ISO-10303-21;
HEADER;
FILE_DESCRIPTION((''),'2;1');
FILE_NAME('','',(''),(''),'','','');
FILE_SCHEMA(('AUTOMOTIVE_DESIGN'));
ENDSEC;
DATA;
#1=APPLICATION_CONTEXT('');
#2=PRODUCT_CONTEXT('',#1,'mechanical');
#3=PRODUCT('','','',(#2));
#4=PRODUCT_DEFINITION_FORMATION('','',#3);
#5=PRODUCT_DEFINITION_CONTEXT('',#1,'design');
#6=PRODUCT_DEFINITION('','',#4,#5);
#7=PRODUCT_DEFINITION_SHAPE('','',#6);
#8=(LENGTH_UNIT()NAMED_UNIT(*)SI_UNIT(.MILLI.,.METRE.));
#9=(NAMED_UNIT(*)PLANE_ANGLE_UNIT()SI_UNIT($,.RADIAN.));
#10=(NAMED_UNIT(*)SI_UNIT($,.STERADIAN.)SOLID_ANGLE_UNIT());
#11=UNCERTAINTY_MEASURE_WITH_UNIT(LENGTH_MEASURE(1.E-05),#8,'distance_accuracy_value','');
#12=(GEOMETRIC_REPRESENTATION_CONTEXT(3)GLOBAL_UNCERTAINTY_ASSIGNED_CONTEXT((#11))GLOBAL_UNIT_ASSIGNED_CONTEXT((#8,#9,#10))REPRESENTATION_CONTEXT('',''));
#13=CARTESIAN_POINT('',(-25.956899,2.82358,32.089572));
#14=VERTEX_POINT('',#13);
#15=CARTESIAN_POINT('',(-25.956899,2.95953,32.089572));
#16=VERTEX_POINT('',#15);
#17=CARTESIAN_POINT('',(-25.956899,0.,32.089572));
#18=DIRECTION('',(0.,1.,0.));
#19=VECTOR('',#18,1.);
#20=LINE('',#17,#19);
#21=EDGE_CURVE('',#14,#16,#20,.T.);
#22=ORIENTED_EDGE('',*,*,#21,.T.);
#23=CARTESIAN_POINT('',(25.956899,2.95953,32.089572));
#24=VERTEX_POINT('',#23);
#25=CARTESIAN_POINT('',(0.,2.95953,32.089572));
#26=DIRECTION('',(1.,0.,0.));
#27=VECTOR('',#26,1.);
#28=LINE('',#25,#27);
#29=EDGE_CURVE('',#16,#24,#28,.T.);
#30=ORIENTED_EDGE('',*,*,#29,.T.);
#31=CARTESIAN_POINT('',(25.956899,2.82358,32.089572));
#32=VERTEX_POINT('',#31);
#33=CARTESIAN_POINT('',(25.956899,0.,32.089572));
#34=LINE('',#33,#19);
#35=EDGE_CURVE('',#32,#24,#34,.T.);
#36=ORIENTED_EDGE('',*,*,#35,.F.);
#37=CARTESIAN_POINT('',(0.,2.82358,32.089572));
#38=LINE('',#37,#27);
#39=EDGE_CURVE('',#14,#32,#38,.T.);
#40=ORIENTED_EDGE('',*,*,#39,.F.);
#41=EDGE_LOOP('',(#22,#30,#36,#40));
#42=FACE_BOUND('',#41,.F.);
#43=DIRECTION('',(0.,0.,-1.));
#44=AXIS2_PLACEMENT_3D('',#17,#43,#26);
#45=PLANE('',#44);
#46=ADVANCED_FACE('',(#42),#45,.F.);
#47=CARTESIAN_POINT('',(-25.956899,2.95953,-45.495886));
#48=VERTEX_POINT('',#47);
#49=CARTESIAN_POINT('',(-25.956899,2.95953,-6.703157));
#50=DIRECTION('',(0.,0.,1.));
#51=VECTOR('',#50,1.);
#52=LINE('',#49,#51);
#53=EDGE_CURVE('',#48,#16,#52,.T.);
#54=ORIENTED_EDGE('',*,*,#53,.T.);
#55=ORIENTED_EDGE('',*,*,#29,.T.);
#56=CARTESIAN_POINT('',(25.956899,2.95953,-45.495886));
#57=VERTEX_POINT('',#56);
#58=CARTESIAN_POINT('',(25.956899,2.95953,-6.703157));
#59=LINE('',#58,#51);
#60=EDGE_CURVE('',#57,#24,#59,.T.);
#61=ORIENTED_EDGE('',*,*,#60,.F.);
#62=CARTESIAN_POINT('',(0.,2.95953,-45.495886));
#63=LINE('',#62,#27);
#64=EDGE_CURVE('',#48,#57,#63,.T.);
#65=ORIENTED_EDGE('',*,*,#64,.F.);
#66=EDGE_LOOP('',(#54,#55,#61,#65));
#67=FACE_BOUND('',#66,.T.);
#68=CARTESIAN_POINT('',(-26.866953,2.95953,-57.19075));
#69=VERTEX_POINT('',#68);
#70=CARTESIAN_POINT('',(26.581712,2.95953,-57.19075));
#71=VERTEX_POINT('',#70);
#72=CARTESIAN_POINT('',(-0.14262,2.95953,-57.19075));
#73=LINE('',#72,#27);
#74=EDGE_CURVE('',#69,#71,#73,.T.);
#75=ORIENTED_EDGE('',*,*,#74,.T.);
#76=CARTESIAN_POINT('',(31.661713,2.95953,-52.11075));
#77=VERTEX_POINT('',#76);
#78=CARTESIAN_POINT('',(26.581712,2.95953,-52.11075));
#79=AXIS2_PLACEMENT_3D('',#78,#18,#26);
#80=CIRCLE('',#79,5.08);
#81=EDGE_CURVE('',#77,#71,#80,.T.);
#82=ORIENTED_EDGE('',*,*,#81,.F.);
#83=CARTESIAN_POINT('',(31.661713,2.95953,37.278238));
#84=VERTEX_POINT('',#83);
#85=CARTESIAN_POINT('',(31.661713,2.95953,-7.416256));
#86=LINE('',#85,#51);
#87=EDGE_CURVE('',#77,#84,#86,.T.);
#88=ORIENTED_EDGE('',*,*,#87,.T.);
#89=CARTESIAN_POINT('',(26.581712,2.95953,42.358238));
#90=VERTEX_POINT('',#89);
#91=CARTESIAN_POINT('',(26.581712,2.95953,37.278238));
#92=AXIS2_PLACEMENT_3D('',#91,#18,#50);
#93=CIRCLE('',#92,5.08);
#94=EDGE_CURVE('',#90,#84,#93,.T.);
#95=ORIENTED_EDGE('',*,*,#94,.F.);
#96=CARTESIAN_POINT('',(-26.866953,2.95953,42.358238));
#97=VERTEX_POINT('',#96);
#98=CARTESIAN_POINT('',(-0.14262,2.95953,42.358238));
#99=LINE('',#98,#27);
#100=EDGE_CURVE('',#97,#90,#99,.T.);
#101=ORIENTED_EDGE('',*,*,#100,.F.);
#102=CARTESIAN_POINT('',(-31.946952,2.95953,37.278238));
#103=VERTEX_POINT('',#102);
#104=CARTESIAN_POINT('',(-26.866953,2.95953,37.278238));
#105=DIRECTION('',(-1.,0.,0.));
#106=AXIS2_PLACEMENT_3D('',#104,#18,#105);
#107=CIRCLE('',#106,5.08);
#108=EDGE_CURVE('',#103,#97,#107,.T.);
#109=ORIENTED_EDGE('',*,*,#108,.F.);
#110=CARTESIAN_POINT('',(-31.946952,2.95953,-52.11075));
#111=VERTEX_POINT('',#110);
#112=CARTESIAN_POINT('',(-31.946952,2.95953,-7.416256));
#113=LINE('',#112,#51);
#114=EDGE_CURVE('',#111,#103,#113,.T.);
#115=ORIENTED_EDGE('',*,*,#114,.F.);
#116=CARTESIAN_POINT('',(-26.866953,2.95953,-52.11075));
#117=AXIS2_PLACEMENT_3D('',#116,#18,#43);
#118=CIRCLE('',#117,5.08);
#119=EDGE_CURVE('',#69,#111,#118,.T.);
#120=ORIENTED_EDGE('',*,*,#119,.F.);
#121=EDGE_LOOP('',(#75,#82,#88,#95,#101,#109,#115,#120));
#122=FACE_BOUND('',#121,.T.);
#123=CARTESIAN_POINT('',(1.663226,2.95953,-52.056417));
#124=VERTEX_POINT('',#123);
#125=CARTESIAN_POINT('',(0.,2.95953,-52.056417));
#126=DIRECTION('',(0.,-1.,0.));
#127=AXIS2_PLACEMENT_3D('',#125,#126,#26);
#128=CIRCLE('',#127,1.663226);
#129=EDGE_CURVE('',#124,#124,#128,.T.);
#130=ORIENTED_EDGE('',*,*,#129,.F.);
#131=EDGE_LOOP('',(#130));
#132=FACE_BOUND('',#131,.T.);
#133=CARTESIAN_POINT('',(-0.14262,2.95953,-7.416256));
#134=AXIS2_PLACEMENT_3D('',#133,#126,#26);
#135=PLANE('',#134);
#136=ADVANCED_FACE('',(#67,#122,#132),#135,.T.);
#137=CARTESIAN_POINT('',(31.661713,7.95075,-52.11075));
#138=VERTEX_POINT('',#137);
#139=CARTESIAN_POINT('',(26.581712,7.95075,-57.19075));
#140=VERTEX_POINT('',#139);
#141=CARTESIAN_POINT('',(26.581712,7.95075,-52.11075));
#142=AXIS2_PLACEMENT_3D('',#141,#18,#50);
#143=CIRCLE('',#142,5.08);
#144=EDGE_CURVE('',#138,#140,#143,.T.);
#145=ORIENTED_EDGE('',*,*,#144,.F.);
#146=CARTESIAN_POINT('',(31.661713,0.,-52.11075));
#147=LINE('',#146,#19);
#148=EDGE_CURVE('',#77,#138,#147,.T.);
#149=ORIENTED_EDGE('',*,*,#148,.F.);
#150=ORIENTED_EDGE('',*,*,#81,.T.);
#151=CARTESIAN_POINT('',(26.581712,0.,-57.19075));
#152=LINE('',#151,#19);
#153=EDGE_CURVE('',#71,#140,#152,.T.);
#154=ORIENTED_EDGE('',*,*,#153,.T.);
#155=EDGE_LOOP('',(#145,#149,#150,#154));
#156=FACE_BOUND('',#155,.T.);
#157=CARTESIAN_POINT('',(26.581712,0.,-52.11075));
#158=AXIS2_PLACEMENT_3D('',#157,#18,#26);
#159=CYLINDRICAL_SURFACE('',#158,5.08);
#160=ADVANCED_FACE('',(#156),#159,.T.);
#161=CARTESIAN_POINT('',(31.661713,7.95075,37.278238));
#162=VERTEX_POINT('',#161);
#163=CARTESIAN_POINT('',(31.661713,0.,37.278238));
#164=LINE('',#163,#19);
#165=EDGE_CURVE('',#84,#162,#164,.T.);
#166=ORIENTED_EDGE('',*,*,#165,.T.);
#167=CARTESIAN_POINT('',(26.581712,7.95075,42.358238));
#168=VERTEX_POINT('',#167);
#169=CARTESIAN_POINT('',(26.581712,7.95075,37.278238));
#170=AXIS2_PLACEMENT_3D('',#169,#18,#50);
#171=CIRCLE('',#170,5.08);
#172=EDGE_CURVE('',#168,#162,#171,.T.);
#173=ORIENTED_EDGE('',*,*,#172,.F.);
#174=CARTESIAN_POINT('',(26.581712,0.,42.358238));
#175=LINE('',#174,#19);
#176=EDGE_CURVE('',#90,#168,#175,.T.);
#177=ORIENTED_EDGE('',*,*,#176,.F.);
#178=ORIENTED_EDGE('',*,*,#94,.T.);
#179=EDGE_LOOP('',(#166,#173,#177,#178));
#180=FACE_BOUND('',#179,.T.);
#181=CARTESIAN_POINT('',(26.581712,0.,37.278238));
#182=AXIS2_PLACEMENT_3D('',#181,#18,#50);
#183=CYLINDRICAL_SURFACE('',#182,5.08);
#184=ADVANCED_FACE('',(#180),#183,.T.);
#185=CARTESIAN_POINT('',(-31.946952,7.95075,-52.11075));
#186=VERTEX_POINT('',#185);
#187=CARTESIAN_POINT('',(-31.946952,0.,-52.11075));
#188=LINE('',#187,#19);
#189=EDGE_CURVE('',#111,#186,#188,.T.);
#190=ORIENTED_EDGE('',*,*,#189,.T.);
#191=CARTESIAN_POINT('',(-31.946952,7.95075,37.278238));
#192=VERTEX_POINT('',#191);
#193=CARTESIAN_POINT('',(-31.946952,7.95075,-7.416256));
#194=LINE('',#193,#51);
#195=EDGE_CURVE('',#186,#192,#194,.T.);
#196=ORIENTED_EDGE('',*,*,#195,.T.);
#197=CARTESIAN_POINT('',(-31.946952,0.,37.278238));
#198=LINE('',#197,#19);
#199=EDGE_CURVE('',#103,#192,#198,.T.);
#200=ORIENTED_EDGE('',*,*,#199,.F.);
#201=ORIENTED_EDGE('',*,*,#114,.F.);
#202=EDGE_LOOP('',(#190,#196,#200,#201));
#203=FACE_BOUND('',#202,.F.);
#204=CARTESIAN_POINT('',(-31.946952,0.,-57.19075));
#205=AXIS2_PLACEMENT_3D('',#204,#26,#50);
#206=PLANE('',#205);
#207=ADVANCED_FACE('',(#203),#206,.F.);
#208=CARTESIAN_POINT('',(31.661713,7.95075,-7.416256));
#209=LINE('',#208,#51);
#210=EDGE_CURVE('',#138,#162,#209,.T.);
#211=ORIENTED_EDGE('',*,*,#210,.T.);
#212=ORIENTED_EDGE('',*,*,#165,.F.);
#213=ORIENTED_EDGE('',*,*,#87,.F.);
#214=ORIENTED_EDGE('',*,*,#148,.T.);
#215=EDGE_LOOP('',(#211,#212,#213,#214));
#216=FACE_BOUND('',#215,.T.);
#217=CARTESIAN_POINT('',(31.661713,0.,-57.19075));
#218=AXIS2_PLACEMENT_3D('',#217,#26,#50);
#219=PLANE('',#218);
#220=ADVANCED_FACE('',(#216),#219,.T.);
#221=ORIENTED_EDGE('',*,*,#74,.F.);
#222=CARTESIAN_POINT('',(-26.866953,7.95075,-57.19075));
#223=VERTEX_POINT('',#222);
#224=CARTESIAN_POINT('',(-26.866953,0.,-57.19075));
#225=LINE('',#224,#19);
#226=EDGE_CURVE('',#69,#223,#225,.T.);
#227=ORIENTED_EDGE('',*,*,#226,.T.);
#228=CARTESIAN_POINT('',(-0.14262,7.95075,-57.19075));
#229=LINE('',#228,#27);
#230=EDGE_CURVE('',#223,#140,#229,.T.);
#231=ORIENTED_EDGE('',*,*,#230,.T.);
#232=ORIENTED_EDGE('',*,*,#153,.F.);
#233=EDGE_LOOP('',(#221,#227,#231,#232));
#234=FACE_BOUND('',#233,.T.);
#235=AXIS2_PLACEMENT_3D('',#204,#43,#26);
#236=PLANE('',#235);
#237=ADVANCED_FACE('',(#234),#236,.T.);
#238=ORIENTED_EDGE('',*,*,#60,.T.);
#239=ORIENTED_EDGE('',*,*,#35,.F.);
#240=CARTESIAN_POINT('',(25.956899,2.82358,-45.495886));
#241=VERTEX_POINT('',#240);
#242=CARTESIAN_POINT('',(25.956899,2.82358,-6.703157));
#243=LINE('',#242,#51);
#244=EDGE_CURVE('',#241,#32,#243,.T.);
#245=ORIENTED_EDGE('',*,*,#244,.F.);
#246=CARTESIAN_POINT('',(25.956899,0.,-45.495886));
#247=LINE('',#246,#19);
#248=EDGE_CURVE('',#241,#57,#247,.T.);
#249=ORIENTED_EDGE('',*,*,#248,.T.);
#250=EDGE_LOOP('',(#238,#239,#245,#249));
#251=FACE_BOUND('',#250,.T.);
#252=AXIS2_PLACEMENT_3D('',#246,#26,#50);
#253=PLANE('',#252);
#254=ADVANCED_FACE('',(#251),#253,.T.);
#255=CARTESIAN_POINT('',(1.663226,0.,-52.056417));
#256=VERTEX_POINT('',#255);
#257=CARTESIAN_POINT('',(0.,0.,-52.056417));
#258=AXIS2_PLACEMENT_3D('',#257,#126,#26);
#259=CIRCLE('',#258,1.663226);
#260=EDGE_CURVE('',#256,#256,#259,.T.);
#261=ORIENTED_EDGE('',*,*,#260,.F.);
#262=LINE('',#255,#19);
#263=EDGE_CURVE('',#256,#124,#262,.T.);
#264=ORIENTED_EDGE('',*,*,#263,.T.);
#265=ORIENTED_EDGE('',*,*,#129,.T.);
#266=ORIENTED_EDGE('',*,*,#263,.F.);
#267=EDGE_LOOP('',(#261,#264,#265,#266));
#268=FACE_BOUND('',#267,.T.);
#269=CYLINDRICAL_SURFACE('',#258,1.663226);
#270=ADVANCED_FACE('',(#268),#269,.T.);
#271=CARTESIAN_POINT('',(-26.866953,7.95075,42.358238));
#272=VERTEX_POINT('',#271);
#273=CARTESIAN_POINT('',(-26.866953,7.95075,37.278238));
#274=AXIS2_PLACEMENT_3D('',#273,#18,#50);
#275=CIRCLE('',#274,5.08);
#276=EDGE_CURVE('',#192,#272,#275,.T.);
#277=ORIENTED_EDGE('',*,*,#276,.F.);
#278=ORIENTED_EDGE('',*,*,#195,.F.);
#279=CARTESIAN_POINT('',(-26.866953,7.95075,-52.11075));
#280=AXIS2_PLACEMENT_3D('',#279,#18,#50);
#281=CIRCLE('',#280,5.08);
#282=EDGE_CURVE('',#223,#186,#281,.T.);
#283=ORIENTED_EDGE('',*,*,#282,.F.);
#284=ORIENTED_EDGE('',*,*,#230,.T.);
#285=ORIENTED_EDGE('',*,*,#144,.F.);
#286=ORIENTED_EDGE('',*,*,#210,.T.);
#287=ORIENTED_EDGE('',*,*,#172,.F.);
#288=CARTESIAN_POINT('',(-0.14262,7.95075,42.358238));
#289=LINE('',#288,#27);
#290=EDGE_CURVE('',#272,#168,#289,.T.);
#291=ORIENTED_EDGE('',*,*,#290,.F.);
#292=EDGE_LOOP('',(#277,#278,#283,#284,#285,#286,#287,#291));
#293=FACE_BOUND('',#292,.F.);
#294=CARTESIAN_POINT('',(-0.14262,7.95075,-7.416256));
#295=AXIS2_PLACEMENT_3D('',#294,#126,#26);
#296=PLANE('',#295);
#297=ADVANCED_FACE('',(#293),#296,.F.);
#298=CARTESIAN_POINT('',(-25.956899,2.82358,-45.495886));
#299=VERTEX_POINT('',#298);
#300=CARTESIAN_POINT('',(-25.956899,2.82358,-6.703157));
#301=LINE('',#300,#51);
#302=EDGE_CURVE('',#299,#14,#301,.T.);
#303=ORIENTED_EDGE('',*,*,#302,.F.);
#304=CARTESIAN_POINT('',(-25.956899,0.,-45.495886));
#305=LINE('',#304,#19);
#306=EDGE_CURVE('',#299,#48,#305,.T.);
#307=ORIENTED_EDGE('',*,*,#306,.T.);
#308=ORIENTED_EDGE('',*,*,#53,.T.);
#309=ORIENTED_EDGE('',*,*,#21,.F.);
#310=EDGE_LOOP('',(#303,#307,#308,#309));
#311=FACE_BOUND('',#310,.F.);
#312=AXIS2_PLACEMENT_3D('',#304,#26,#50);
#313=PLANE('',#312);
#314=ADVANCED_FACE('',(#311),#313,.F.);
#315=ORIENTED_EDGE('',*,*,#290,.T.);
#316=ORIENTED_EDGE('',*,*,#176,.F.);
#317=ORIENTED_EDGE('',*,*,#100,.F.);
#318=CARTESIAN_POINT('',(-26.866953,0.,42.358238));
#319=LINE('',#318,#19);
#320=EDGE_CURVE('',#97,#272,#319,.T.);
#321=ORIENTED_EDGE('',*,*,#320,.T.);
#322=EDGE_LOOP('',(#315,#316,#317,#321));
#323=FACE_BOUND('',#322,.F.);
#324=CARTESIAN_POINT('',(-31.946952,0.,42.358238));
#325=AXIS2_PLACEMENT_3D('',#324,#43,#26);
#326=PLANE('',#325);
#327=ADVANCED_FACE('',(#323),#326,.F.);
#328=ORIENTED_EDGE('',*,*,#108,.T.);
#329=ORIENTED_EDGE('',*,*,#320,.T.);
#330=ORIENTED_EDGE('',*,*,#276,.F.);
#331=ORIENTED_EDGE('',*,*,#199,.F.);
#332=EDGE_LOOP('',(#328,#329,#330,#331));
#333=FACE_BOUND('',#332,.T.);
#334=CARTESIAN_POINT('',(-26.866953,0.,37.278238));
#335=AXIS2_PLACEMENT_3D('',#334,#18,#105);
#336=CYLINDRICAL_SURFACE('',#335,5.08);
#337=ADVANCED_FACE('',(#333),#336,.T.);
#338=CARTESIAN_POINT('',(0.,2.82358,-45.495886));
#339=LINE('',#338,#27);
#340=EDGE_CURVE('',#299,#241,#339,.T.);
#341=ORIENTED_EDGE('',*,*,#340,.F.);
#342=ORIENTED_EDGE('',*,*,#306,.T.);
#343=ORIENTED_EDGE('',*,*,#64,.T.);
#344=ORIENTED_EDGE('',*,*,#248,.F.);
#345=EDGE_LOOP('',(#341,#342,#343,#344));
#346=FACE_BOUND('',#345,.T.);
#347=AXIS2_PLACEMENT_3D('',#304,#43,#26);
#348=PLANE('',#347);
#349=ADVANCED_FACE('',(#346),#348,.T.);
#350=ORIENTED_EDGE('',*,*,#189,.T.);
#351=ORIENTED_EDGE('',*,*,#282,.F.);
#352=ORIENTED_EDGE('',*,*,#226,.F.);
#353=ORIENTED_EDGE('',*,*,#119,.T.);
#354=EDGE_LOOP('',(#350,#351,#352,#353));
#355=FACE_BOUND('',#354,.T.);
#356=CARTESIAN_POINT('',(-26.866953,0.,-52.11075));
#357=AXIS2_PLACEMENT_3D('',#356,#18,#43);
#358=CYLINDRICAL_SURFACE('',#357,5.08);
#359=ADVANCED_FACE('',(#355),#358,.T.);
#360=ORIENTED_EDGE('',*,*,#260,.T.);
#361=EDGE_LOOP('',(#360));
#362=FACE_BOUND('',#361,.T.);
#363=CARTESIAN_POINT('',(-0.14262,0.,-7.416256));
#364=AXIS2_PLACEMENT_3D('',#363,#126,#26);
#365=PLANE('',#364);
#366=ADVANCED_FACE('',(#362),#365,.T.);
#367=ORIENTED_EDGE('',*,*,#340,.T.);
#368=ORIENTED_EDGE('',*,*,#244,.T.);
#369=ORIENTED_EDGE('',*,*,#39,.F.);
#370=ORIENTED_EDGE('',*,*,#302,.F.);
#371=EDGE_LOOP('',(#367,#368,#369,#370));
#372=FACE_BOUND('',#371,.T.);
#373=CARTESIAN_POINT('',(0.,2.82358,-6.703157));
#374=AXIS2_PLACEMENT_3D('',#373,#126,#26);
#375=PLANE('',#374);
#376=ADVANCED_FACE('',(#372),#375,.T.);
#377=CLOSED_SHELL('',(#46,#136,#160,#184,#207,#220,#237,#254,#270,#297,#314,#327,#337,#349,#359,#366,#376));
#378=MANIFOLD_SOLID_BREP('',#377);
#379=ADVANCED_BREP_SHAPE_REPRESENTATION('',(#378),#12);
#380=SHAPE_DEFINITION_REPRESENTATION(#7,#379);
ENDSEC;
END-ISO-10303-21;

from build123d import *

# Parameters (mm, degrees)
F0_W      = 63.608665
F0_H      = 99.548988
F2_DEPTH  = 7.95075
F3_R      = 5.08
F4_R      = 5.08
F5_R      = 5.08
F6_R      = 5.08
F8_W      = 63.608665
F8_H      = 99.548988
F8_R      = 1.663226
F8_W_2    = 51.913798
F8_H_2    = 77.585458
F9_DEPTH  = 2.95953
F1_W      = 51.913798
F1_H      = 77.585458
F10_DEPTH = 2.82358


with BuildPart() as f2:
    # F0 (on Front) → F2 (new body)
    with BuildSketch(Plane.XZ):
        with Locations((-0.14262, -7.416256)):
            Rectangle(F0_W, F0_H)
    extrude(amount=-F2_DEPTH)

    # F3
    f3_edges = [f2.edges().sort_by_distance(p)[0] for p in [
        (-31.946953, 3.975375, 42.358238),
    ]]
    fillet(f3_edges, radius=F3_R)

    # F4
    f4_edges = [f2.edges().sort_by_distance(p)[0] for p in [
        (31.661712, 3.975375, 42.358238),
    ]]
    fillet(f4_edges, radius=F4_R)

    # F5
    f5_edges = [f2.edges().sort_by_distance(p)[0] for p in [
        (31.661712, 3.975375, -57.19075),
    ]]
    fillet(f5_edges, radius=F5_R)

    # F6
    f6_edges = [f2.edges().sort_by_distance(p)[0] for p in [
        (-31.946953, 3.975375, -57.19075),
    ]]
    fillet(f6_edges, radius=F6_R)

    # F8 (on face) → F9 (cut)
    with BuildSketch(Plane.XZ):
        with Locations((-0.14262, -7.416256)):
            Rectangle(F8_W, F8_H)
        with Locations((0, -52.056417)):
            Circle(F8_R, mode=Mode.SUBTRACT)
        with Locations((0, -6.703157)):
            Rectangle(F8_W_2, F8_H_2, mode=Mode.SUBTRACT)
    extrude(amount=-F9_DEPTH, mode=Mode.SUBTRACT)

    # F1 (on face) → F10 (cut)
    with BuildSketch(Plane.XZ):
        with Locations((0, -6.703157)):
            Rectangle(F1_W, F1_H)
    extrude(amount=-F10_DEPTH, mode=Mode.SUBTRACT)


solid = f2.part
